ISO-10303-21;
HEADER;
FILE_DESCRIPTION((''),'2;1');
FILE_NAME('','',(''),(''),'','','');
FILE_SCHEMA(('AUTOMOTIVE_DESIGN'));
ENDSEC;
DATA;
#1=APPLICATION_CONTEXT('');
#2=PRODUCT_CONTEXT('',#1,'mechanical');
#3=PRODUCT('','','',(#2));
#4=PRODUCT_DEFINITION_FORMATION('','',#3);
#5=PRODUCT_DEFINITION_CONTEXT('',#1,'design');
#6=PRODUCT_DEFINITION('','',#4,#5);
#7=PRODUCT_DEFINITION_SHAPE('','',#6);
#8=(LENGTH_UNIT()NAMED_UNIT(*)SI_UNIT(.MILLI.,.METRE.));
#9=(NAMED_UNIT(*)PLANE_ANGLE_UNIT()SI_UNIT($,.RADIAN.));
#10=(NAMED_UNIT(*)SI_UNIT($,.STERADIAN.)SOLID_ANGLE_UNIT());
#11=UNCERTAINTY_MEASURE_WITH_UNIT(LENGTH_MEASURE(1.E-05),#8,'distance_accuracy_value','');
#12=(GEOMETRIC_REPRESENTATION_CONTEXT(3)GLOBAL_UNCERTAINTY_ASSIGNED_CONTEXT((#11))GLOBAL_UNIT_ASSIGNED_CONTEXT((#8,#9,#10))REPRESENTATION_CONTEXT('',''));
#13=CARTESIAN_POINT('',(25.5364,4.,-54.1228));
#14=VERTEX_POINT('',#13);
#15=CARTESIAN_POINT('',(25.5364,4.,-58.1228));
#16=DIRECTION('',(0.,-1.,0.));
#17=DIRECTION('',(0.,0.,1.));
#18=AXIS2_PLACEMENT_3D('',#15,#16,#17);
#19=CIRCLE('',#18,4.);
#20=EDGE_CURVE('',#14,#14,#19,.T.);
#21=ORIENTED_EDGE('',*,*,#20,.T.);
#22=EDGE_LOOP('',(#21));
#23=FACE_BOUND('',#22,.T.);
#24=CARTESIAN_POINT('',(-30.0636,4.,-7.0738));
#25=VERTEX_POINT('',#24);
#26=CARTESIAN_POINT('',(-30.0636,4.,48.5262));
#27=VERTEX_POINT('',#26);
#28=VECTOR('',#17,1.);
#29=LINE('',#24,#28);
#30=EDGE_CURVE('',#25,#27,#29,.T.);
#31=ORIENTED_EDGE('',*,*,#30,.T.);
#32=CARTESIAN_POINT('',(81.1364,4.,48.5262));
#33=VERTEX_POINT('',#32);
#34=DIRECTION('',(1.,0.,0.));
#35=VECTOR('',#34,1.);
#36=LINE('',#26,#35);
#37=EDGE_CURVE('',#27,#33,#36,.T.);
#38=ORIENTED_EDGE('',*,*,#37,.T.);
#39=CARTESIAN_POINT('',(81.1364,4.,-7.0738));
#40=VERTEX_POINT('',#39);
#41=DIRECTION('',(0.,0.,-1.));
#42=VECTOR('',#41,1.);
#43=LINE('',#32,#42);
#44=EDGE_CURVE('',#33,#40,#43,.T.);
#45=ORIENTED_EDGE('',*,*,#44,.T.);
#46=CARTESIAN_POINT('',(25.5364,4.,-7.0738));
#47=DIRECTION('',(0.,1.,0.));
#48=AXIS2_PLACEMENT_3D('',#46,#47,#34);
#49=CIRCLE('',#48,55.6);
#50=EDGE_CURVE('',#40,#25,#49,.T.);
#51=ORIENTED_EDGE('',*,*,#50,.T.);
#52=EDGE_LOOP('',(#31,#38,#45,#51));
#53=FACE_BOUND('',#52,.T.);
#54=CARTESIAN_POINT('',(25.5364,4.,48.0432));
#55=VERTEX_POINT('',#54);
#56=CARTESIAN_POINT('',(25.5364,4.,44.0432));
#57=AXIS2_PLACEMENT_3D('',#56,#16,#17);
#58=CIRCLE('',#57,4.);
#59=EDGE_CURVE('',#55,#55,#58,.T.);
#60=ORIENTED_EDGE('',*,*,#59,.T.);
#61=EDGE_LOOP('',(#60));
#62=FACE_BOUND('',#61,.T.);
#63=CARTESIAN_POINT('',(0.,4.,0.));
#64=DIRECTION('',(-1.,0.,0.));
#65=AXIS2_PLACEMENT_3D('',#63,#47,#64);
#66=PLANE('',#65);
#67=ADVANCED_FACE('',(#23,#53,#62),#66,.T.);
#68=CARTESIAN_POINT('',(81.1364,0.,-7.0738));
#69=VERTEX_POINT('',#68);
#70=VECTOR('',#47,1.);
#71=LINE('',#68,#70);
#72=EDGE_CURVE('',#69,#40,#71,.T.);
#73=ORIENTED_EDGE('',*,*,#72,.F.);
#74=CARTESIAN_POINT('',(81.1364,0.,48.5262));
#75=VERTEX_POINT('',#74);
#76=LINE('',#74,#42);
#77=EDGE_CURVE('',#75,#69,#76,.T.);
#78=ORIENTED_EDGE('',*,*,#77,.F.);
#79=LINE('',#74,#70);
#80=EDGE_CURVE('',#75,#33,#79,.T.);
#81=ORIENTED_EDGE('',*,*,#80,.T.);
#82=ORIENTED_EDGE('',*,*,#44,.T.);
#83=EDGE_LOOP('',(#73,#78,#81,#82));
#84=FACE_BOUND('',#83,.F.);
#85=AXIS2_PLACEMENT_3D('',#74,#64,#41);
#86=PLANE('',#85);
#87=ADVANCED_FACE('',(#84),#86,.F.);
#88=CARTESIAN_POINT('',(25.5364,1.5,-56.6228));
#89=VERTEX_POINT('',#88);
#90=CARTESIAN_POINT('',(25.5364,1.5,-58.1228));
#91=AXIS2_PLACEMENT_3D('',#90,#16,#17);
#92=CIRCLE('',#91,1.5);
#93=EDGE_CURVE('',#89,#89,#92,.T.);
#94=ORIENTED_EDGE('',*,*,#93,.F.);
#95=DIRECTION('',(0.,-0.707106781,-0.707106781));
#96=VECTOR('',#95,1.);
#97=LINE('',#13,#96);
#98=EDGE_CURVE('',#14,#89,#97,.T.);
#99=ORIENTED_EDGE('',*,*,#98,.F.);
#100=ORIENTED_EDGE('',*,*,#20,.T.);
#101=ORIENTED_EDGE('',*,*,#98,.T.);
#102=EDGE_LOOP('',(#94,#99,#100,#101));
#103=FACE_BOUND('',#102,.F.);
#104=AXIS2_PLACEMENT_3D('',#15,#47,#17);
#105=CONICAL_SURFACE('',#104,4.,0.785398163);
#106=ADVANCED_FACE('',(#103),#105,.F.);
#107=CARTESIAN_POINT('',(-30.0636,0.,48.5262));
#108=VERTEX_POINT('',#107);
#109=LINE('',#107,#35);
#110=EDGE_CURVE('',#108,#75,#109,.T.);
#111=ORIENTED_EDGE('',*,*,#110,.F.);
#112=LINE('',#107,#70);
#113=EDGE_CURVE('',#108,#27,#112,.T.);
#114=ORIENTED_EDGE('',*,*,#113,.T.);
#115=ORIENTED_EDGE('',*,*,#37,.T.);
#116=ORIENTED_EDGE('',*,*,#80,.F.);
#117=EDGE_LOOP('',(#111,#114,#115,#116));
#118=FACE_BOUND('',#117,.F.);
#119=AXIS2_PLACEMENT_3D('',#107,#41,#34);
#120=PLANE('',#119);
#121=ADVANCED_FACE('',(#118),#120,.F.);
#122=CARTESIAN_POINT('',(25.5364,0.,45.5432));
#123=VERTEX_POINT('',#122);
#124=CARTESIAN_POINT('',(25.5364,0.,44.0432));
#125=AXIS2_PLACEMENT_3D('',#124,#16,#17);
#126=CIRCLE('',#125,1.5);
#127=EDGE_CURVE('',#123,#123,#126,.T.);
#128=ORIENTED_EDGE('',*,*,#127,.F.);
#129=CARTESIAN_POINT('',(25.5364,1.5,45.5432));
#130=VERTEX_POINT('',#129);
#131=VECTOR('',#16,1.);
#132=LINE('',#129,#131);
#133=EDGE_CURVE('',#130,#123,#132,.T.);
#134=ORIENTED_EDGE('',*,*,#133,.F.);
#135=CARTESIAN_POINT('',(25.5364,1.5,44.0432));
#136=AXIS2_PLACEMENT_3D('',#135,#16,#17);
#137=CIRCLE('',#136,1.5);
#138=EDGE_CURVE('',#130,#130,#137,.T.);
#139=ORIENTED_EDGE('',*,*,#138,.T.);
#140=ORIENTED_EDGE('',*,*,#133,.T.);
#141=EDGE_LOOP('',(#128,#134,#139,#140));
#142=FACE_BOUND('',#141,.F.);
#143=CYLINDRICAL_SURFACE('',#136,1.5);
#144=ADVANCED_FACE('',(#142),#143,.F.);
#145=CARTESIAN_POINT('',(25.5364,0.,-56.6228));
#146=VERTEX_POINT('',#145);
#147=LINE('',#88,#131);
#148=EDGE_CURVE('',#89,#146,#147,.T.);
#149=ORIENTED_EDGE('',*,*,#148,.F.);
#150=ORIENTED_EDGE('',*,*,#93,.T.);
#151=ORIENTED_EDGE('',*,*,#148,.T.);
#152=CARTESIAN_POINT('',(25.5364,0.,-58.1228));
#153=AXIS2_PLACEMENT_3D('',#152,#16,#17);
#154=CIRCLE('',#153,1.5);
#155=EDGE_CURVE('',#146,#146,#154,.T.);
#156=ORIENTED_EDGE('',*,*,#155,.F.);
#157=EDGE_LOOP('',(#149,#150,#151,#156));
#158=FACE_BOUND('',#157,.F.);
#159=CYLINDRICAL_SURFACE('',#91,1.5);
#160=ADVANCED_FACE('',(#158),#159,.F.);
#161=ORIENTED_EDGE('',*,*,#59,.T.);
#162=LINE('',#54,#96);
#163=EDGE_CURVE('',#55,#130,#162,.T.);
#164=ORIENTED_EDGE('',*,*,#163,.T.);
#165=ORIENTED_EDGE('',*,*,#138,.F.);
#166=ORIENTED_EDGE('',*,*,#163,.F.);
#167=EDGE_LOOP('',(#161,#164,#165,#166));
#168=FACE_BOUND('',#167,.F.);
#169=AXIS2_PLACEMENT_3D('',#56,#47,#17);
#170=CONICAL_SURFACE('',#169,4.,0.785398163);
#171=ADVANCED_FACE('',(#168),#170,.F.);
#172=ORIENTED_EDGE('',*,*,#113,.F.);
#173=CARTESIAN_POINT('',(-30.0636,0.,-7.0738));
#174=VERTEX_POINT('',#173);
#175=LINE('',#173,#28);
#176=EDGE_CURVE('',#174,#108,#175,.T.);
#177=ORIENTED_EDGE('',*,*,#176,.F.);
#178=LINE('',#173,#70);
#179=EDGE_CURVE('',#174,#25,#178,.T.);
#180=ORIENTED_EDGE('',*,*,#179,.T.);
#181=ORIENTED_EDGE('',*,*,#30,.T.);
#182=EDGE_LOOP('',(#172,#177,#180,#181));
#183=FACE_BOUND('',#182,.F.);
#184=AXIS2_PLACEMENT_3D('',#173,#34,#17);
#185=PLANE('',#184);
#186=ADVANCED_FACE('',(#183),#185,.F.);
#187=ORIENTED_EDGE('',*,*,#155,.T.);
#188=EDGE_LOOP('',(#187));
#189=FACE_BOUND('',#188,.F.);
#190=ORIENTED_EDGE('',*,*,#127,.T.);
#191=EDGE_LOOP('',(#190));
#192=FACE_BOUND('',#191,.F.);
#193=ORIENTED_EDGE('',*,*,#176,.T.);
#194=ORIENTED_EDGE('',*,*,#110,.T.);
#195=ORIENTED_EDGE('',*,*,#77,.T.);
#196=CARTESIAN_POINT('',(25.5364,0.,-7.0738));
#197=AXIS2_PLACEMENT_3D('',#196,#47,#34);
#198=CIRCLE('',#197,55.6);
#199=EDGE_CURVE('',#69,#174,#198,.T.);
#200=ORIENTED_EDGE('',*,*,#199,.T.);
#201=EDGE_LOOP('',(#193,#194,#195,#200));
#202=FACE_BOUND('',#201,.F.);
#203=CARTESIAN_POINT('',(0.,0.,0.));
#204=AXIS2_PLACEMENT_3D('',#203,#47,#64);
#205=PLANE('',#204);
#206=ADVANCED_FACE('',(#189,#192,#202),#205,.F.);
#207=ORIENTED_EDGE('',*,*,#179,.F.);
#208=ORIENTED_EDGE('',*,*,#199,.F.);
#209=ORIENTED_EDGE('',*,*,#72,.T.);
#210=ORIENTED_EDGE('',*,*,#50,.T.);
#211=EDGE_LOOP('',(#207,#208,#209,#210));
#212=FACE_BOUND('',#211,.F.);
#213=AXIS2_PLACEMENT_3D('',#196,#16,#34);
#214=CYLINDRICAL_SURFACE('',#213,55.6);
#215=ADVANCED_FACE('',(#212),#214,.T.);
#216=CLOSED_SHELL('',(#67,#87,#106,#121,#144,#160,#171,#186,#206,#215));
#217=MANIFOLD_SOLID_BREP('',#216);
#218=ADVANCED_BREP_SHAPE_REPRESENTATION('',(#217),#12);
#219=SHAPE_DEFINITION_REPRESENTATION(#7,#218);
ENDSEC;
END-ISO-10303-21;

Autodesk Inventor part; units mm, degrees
ref_plane "YZ Plane" through (0, 0, 0) normal (1, 0, 0) x (0, 1, 0)
ref_plane "XZ Plane" through (0, 0, 0) normal (0, 1, 0) x (-1, 0, 0)
ref_plane "XY Plane" through (0, 0, 0) normal (0, 0, 1) x (1, 0, 0)
sketch "Sketch1" plane through (0, 0, 0) normal (0, 1, 0) x (-1, 0, 0)
  line L0 (30.0636, 48.5262) -> (-81.1364, 48.5262)
  line L1 (-81.1364, 48.5262) -> (-81.1364, -7.0738)
  line L2 (-81.1364, -7.0738) -> (30.0636, -7.0738)
  line L3 (30.0636, -7.0738) -> (30.0636, 48.5262)
  arc A0 (-81.1364, -7.0738) -> (30.0636, -7.0738) centre (-25.5364, -7.0738) ccw
  point P0 (0, 0)
  dimension "d0" = 55.6
  dimension "d1" = 111.2
  dimension "d2" = 55.6
extrude "Extrusion1" add sketch "Sketch1" along normal blind 4
sketch "Sketch2" plane through (0, 4, 0) normal (0, 1, 0) x (1, 0, 0)
  line L0 (-30.0636, 7.0738) -> (-30.0636, -48.5262) projected
  line L1 (-30.0636, -48.5262) -> (81.1364, -48.5262) projected
  point P0 (0, 0)
  point P1 (25.5364, -44.0432)
  dimension "d12" = 55.6
  dimension "d13" = 4.483
hole "Hole1" at (25.5364, 4, 44.0432) direction (0, -1, 0) diameter 3 depth 5 tip angle 118 countersink diameter 8 countersink angle 90
sketch "Sketch3" plane through (0, 4, 0) normal (0, 1, 0) x (1, 0, 0)
  line L0 (-30.0636, 7.0738) -> (-30.0636, -48.5262) projected
  arc A0 (81.1364, 7.0738) -> (-30.0636, 7.0738) centre (25.5364, 7.0738) ccw projected
  point P0 (0, 0)
  point P1 (25.5364, 58.1228)
  dimension "d21" = 55.6
  dimension "d22" = 51.049
hole "Hole2" at (25.5364, 4, -58.1228) direction (0, -1, 0) diameter 3 depth 5 tip angle 118 countersink diameter 8 countersink angle 90
properties part number "base-bottom-2"
